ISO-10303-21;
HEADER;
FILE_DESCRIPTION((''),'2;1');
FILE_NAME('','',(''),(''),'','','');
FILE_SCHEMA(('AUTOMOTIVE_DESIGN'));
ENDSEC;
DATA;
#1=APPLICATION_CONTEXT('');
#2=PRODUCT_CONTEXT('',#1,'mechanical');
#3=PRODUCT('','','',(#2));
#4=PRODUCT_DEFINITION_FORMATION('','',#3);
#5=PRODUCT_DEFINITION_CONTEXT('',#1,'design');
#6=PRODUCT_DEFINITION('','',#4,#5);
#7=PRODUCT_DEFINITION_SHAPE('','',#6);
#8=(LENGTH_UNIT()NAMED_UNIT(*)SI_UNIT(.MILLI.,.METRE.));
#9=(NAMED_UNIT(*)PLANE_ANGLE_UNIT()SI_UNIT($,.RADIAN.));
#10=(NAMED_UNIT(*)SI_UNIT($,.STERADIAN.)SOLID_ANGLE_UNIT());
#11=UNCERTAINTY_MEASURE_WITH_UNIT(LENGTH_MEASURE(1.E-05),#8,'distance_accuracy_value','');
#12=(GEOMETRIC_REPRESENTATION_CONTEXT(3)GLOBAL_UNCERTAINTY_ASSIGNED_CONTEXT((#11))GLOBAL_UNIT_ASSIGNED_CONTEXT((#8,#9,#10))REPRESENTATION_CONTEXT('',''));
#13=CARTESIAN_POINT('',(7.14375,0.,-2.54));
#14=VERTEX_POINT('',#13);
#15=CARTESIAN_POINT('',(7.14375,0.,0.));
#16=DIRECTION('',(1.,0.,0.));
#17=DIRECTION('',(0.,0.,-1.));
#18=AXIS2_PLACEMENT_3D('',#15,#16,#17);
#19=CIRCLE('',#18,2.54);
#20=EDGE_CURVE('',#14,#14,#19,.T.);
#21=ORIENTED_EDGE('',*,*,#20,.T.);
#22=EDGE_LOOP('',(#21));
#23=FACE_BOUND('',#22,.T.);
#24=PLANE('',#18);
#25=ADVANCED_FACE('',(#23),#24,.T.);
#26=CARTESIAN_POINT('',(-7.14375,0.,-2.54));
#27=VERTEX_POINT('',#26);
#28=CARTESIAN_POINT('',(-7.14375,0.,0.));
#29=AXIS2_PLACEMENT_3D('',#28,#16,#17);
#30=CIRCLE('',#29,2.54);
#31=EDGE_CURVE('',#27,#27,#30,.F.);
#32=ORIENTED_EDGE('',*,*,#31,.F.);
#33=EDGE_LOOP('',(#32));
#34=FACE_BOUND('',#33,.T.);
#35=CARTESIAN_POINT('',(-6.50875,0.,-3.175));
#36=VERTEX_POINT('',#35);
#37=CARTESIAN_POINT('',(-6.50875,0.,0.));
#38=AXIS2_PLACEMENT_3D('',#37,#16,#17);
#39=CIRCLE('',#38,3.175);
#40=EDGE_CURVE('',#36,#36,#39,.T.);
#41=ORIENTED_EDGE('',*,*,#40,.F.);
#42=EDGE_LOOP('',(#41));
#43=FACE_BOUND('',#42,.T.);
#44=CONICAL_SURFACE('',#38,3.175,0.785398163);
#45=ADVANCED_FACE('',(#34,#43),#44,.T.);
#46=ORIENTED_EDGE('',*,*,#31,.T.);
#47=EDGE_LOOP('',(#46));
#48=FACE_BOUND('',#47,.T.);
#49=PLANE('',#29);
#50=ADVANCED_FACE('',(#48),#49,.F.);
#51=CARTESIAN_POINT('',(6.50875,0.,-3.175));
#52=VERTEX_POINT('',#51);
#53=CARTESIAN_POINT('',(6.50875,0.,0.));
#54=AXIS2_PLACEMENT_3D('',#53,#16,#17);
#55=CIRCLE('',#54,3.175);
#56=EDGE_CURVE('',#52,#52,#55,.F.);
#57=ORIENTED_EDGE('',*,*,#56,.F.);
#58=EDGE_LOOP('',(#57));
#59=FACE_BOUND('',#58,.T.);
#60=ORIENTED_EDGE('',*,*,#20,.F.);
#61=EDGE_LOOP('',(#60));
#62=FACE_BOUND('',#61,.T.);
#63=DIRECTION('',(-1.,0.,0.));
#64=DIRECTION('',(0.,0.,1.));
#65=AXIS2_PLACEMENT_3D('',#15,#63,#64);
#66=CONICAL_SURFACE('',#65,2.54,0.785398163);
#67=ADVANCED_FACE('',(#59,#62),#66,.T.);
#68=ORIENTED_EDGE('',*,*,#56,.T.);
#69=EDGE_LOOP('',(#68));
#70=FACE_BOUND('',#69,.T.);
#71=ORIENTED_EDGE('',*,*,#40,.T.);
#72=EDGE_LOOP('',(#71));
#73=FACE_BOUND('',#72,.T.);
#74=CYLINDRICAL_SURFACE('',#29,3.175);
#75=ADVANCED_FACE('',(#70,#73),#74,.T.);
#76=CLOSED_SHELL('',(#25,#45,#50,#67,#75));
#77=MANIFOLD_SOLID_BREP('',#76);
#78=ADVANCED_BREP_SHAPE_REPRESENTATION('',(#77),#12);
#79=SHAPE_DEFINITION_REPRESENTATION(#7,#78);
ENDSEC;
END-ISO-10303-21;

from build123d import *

# Parameters (mm, degrees)
EXTRUDE1_DEPTH      = 7.14375
EXTRUDE1_DEPTH_BACK = 7.14375
SKETCH2_R           = 3.175
CHAMFER1_SIZE       = 0.635


with BuildPart() as part:
    # Sketch2 → Extrude1 (new, two sides: drawn at the far end of the back side and taken through both)
    with BuildSketch(Plane(origin=(0, 0, 0), x_dir=(0, 0, -1), z_dir=(1, 0, 0)).offset(-EXTRUDE1_DEPTH_BACK)):
        Circle(SKETCH2_R)
    extrude(amount=EXTRUDE1_DEPTH + EXTRUDE1_DEPTH_BACK)

    # Chamfer1
    chamfer1_edges = [part.edges().sort_by_distance(p)[0] for p in [
        (-7.14375, 0, 3.175),
        (7.14375, 0, 3.175),
    ]]
    chamfer(chamfer1_edges, length=CHAMFER1_SIZE)


solid = part.part
